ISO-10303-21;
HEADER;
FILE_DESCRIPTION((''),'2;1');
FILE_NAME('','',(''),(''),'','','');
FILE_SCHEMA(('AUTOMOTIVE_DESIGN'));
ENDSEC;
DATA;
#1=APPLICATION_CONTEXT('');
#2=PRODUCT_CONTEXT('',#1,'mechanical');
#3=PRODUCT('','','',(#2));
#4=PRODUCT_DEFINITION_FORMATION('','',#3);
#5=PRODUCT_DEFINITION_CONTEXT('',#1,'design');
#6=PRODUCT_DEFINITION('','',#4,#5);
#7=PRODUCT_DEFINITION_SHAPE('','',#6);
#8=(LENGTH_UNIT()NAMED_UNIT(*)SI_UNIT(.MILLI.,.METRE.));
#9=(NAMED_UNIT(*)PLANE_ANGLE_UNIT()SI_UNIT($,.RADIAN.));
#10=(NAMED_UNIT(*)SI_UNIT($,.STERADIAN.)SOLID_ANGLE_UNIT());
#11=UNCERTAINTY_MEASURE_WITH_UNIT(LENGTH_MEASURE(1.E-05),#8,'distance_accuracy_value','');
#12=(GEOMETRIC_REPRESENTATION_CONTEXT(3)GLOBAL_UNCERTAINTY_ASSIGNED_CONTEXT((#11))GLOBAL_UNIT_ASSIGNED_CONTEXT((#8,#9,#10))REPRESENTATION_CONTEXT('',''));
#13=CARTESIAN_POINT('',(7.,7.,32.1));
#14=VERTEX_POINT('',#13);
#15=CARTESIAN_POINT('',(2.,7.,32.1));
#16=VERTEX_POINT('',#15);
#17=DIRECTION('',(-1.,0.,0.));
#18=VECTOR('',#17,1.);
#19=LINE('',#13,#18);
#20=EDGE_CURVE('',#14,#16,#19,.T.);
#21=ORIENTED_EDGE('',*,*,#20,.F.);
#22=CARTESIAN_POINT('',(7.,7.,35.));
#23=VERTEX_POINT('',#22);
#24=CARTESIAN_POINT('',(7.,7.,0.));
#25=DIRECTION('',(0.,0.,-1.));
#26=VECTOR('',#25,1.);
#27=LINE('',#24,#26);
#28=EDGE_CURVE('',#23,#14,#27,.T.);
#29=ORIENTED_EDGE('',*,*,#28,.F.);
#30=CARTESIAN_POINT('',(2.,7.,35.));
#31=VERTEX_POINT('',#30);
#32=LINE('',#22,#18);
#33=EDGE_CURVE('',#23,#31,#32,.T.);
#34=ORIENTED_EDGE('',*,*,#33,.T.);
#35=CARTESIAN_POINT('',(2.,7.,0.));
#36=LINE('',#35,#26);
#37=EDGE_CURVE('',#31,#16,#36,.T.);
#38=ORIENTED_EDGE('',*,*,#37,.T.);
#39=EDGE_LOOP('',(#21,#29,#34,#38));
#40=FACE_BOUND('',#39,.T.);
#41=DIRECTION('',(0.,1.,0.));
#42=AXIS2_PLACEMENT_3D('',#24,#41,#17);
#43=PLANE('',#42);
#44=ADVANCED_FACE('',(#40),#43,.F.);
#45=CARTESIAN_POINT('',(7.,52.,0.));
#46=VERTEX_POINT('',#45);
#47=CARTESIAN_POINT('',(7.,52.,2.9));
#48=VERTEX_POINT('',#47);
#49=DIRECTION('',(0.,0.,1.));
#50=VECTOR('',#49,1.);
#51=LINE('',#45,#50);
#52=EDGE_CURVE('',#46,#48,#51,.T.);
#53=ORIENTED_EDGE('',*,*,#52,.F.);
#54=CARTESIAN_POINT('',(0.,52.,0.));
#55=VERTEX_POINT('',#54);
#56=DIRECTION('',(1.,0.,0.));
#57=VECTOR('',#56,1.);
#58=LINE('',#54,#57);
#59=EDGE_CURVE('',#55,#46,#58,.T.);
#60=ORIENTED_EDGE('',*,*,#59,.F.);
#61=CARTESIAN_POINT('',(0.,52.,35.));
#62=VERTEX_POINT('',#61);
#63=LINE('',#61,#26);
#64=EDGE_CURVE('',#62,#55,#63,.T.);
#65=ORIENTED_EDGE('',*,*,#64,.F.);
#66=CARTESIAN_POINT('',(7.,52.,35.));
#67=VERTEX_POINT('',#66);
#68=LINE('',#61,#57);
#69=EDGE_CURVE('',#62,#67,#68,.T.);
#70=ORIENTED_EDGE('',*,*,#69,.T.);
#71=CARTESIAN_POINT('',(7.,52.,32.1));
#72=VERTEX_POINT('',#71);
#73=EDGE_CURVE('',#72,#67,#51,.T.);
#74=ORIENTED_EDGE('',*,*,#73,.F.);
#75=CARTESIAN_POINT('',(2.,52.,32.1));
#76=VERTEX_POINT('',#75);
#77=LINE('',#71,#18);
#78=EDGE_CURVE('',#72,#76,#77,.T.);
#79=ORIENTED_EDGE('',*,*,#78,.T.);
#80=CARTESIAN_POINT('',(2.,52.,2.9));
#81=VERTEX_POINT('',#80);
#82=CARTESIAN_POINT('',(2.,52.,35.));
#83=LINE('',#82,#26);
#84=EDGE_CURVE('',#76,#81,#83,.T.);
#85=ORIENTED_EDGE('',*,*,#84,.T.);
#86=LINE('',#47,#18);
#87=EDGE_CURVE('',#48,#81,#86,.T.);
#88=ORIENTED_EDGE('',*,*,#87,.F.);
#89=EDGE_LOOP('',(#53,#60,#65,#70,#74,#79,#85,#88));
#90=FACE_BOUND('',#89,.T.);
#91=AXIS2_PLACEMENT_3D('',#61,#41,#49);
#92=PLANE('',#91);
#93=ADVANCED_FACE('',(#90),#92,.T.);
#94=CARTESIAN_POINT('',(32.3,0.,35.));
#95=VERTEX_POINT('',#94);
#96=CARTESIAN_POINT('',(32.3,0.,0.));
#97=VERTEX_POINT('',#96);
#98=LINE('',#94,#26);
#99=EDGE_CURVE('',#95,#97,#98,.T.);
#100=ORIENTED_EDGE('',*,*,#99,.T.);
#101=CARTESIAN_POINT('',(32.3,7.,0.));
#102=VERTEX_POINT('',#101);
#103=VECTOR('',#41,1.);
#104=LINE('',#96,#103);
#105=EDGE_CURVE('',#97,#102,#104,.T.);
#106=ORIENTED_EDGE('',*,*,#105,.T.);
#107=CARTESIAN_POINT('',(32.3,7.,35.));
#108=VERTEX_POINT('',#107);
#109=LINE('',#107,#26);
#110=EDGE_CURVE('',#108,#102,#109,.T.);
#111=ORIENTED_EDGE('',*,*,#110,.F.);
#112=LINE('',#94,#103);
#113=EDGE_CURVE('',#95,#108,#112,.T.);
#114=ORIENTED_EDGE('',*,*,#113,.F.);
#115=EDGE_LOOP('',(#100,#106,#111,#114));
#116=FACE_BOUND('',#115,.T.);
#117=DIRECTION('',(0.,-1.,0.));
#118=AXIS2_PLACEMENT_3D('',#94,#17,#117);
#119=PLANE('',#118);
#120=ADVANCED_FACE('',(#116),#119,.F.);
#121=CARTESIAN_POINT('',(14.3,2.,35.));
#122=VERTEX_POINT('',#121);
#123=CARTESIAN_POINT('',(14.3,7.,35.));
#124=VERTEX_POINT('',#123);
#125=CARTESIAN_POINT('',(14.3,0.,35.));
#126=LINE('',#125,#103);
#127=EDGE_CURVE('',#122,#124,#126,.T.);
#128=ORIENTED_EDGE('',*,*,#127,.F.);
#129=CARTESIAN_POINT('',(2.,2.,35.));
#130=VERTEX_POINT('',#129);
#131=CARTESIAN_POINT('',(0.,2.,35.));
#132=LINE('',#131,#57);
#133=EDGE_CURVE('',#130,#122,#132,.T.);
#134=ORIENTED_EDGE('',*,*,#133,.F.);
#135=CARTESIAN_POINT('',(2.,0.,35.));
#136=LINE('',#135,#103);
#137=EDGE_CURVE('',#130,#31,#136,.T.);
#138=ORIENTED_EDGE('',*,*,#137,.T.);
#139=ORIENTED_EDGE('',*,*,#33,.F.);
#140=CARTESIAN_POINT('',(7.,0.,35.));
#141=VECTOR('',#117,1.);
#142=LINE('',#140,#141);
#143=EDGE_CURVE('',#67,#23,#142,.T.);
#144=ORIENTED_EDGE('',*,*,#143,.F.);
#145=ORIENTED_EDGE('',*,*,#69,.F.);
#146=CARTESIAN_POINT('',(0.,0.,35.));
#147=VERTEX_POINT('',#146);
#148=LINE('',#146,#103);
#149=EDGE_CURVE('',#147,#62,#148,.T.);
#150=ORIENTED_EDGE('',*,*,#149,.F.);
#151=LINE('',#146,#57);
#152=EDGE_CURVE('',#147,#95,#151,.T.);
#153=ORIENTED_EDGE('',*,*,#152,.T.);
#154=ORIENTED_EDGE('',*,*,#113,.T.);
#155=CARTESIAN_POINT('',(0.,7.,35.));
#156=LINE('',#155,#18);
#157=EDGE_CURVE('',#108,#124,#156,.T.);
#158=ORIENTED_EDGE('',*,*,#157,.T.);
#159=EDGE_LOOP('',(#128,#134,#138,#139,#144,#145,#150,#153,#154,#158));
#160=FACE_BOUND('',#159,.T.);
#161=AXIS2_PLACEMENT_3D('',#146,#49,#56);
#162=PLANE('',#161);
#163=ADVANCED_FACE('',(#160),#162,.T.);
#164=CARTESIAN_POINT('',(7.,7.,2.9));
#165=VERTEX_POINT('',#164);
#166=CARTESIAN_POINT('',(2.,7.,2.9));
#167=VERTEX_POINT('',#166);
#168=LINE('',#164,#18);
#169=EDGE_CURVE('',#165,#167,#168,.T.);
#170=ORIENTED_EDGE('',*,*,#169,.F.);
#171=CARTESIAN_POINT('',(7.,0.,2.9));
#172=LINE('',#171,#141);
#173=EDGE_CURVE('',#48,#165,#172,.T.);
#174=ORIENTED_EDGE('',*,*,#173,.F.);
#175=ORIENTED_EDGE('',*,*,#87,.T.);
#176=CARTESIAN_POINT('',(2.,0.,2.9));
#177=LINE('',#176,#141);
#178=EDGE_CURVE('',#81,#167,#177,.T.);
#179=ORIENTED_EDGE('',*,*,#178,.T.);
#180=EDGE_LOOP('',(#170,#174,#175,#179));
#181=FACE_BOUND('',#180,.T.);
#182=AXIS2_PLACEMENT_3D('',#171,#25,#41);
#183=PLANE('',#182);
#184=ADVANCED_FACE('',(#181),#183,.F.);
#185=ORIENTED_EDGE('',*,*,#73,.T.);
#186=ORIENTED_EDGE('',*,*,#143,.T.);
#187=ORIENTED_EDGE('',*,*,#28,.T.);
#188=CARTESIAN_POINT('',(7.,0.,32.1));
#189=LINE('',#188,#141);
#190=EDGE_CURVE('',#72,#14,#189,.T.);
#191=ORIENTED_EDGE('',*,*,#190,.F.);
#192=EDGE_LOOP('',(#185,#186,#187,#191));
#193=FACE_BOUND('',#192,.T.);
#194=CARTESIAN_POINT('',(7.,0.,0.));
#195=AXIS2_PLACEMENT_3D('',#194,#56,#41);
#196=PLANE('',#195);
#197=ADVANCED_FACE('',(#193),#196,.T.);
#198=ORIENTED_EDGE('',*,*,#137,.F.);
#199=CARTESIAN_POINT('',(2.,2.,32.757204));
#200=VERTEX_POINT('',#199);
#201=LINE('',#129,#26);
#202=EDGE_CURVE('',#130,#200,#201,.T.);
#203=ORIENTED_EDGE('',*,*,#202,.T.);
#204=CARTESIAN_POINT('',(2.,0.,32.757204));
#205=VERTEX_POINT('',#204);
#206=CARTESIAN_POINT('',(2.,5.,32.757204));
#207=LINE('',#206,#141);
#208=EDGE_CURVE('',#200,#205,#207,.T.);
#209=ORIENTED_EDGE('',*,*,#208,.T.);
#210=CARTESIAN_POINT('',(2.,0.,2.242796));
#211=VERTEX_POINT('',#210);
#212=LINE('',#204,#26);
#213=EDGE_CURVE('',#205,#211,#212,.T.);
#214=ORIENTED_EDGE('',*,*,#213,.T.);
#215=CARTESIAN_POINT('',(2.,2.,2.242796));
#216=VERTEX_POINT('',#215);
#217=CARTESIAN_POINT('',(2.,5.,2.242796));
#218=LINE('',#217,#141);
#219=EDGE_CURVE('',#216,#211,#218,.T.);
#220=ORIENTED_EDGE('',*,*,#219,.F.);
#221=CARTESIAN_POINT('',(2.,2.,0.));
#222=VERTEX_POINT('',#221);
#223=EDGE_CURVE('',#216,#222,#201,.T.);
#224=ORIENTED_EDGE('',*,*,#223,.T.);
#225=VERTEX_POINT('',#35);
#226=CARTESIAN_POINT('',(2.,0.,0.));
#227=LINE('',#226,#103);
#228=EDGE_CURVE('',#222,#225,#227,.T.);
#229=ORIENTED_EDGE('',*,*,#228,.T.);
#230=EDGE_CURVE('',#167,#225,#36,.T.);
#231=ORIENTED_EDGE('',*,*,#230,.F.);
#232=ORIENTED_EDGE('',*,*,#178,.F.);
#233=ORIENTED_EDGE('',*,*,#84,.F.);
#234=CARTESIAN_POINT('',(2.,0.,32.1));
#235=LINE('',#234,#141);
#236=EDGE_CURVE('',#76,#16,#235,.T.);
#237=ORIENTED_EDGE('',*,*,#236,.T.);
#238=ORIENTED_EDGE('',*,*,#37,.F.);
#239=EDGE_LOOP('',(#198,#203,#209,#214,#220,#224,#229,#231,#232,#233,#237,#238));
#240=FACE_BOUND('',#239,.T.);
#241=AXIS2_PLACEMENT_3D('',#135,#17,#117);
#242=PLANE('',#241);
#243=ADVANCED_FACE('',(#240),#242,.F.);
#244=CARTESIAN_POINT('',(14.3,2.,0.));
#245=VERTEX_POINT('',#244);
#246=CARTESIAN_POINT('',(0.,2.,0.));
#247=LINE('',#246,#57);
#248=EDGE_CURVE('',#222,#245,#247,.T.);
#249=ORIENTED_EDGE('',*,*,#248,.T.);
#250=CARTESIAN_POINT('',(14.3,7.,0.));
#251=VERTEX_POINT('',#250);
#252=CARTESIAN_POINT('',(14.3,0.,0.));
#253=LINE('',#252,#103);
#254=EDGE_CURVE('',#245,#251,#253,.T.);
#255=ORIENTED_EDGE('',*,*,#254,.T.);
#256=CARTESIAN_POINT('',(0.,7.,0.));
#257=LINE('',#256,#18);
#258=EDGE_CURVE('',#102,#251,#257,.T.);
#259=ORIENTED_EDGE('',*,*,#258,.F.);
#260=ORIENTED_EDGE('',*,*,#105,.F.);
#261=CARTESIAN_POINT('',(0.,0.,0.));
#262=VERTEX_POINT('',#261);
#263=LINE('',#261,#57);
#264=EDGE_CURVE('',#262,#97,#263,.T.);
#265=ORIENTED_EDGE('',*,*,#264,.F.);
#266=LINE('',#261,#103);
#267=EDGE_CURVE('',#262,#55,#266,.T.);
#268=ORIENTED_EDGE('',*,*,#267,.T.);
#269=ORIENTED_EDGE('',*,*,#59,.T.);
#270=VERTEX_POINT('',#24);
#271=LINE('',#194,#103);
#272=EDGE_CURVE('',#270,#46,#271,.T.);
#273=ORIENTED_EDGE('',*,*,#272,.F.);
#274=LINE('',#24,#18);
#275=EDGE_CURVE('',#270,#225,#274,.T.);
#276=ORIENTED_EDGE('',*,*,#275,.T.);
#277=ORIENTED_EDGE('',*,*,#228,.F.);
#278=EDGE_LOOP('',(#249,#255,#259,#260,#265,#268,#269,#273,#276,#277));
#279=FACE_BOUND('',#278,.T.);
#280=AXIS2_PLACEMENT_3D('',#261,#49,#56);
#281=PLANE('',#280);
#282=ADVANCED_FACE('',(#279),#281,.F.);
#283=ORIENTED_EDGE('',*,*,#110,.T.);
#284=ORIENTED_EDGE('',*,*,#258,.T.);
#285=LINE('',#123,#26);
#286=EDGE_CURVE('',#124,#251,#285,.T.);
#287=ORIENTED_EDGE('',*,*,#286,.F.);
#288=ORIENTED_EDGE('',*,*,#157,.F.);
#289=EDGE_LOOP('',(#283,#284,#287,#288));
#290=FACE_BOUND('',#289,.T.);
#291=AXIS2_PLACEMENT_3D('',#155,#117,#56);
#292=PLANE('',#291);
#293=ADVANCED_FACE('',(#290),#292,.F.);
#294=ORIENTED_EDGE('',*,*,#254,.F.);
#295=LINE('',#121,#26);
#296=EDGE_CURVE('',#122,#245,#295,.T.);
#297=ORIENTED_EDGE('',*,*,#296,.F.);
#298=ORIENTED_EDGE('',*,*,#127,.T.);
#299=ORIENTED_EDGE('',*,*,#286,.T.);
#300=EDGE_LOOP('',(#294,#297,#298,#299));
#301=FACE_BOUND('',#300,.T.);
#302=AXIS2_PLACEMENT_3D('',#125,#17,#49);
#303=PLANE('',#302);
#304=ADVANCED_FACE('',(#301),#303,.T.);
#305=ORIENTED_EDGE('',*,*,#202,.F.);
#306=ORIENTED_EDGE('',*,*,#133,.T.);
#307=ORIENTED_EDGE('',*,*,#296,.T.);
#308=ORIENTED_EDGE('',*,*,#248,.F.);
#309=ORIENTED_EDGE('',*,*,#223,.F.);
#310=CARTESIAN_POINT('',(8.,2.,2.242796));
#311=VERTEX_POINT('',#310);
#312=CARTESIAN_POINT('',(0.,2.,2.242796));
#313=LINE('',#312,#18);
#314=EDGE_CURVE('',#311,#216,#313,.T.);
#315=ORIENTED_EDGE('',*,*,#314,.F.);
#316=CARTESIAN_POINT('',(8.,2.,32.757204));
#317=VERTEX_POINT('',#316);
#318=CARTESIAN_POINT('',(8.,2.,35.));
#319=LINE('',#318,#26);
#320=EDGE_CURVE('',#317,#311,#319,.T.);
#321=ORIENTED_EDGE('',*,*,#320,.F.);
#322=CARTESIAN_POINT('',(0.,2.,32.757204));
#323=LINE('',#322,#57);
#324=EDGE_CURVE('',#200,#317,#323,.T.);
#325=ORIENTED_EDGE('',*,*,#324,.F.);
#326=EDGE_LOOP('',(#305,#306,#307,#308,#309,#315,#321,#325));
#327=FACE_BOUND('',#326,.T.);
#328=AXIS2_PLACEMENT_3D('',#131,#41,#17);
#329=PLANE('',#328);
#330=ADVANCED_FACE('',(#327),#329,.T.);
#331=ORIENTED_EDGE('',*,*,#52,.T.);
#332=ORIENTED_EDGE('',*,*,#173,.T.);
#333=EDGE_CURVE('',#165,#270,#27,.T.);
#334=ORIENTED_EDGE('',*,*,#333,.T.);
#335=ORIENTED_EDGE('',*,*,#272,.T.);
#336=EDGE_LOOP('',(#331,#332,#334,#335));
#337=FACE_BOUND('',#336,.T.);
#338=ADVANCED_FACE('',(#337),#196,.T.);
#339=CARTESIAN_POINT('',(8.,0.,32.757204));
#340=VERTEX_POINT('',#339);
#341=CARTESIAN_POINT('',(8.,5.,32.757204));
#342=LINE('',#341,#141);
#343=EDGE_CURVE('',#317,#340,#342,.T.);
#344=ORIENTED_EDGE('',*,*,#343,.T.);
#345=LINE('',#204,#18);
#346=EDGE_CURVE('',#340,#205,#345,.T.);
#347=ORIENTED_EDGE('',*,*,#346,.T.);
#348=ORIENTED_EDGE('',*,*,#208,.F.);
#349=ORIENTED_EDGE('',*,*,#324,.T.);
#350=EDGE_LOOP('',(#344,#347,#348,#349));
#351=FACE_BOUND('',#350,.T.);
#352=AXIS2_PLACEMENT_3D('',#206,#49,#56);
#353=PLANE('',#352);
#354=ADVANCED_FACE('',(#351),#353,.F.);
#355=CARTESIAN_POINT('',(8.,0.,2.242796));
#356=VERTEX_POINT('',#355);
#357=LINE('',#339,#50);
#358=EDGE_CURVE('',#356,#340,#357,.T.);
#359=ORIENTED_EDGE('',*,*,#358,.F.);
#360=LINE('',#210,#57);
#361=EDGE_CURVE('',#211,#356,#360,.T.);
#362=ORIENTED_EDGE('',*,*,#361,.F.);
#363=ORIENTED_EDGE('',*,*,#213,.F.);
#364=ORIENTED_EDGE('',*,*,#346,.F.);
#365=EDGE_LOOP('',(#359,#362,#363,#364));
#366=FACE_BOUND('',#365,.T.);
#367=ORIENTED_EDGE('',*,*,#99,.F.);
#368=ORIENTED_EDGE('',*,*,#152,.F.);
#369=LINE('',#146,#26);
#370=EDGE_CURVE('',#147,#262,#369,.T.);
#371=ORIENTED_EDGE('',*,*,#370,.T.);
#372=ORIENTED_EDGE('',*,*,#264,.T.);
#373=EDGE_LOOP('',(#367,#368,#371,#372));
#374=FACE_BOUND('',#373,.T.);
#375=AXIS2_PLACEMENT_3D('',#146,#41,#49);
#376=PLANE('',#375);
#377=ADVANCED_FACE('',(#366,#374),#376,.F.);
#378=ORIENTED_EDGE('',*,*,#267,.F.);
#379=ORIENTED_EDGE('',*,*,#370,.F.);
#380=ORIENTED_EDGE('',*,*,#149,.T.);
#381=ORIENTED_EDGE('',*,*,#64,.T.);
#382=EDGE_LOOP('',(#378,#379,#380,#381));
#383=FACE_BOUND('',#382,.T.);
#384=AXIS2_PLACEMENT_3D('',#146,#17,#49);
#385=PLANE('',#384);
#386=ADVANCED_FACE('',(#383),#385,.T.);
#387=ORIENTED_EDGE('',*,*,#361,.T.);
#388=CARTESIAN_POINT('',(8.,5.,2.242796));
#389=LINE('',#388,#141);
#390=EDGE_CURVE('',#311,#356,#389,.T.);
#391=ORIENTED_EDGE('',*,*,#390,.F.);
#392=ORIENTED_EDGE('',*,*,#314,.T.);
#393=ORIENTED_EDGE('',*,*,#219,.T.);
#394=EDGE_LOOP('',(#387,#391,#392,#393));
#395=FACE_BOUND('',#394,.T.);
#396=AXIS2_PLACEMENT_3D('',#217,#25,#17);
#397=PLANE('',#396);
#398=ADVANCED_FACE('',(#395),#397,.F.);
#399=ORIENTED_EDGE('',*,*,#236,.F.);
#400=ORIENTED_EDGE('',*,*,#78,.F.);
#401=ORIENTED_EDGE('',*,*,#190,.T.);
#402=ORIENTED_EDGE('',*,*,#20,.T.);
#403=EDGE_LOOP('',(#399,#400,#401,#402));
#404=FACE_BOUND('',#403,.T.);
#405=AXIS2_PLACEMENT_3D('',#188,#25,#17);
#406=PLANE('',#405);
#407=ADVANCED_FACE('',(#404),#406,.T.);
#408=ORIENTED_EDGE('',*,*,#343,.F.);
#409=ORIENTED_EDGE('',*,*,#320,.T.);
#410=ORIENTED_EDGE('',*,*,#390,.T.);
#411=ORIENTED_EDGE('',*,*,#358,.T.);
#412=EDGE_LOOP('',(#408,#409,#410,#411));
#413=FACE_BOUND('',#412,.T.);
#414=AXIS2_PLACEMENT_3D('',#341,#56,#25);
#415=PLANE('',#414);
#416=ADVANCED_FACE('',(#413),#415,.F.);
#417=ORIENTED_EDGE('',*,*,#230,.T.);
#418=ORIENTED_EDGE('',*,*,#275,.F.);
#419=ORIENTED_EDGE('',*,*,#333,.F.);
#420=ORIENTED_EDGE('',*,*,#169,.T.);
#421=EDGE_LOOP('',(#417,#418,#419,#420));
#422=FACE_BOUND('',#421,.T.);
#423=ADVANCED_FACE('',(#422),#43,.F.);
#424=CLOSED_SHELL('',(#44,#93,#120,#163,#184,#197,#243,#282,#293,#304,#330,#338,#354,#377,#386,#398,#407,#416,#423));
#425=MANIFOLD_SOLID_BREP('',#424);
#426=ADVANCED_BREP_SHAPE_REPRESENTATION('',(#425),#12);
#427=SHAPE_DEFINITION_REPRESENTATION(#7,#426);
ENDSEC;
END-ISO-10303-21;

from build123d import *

# Parameters (mm, degrees)
SKETCH1_W           = 18
SKETCH1_H           = 5
SKETCH1_W_2         = 2
SKETCH1_H_2         = 2
SKETCH1_H_3         = 50
BOSS_EXTRUDE1_DEPTH = 35
SKETCH2_W           = 2.9
SKETCH2_H           = 45
BOSS_EXTRUDE2_DEPTH = 5
SKETCH3_W           = 6
SKETCH3_H           = 30.514407746
CUT_EXTRUDE1_DEPTH  = 5


with BuildPart() as part:
    # Sketch1 → Boss-Extrude1 (new body)
    with BuildSketch(Plane.XY):
        with Locations((23.3, 4.5)):
            Rectangle(SKETCH1_W, SKETCH1_H)
        Polygon((2, 2), (2, 0), (32.3, 0), (32.3, 2), (14.3, 2), align=None)
        with Locations((1, 1)):
            Rectangle(SKETCH1_W_2, SKETCH1_H_2)
        with Locations((1, 27)):
            Rectangle(SKETCH1_W_2, SKETCH1_H_3)
    extrude(amount=BOSS_EXTRUDE1_DEPTH)

    # Sketch2 → Boss-Extrude2 (add)
    with BuildSketch(Plane(origin=(2, 0, 0), x_dir=(0, 0, -1), z_dir=(1, 0, 0))):
        with Locations((-33.55, 29.5)):
            Rectangle(SKETCH2_W, SKETCH2_H)
        with Locations((-1.45, 29.5)):
            Rectangle(SKETCH2_W, SKETCH2_H)
    extrude(amount=BOSS_EXTRUDE2_DEPTH)

    # Sketch3 → Cut-Extrude1 (cut)
    with BuildSketch(Plane.XZ):
        with Locations((5, 17.5)):
            Rectangle(SKETCH3_W, SKETCH3_H)
    extrude(amount=-CUT_EXTRUDE1_DEPTH, mode=Mode.SUBTRACT)


solid = part.part
